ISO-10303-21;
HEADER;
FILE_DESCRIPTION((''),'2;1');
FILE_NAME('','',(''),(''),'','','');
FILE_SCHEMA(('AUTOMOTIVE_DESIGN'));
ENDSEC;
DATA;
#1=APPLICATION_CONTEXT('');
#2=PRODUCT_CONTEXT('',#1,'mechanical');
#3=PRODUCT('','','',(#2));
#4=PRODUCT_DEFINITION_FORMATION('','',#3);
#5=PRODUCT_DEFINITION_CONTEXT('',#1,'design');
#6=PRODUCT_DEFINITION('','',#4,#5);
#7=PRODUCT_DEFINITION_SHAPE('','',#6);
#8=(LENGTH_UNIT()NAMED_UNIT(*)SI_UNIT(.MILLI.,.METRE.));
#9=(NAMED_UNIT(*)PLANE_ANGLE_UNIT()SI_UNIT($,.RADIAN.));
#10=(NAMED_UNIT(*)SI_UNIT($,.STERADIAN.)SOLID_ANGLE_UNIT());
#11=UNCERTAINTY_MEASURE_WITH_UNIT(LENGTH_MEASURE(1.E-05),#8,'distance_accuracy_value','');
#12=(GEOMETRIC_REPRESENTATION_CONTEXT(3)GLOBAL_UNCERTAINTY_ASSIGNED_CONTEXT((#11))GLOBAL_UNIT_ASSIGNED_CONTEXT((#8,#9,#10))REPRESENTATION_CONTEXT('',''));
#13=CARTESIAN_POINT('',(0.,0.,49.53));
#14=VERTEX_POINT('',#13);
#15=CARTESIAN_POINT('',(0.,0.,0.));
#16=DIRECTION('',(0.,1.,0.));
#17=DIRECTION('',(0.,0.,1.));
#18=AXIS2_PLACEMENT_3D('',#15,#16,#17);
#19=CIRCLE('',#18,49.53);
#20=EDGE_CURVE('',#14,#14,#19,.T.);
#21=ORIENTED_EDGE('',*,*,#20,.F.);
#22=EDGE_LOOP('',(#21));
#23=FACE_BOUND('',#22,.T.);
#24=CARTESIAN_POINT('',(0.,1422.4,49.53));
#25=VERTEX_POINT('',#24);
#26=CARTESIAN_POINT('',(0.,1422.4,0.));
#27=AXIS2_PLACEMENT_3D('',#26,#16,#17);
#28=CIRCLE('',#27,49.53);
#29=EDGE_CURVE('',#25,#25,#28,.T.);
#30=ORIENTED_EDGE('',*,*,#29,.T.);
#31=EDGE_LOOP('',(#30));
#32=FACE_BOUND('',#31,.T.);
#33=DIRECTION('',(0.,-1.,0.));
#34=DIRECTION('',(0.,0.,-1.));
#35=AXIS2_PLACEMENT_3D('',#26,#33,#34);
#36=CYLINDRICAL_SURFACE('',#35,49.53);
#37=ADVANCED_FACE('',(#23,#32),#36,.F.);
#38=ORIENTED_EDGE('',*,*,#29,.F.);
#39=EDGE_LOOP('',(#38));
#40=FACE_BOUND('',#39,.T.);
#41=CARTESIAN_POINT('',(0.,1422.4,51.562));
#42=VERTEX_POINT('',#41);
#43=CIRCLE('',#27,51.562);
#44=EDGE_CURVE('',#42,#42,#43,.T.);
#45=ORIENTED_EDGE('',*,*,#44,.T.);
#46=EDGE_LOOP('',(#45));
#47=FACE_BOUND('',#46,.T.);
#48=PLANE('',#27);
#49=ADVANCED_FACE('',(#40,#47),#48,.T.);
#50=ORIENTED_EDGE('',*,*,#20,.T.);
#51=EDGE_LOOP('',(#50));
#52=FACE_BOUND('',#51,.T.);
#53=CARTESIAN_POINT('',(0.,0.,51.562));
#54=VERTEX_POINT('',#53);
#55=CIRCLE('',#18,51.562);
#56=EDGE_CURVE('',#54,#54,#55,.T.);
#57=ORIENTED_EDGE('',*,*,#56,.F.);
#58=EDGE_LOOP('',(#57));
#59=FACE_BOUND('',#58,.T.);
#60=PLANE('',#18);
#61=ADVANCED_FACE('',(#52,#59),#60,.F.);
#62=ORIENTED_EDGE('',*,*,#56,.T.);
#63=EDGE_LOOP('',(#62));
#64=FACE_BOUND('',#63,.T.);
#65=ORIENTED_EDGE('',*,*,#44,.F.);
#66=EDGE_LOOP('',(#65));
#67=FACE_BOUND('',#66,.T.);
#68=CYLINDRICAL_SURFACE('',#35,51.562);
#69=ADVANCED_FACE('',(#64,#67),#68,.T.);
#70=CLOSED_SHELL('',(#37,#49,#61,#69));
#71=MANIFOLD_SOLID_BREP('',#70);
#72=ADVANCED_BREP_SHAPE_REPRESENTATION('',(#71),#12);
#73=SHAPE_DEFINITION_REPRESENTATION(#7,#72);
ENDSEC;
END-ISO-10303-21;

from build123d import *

# Parameters (mm, degrees)
SKETCH1_R           = 51.562
SKETCH1_R_2         = 49.53
BOSS_EXTRUDE1_DEPTH = 1422.4


with BuildPart() as part:
    # Sketch1 → Boss-Extrude1 (new body)
    with BuildSketch(Plane(origin=(0, 0, 0), x_dir=(1, 0, 0), z_dir=(0, 1, 0))):
        with Locations(Location((0, 0, 0), (0, 0, 270))):
            Circle(SKETCH1_R)
        with Locations(Location((0, 0, 0), (0, 0, 270))):
            Circle(SKETCH1_R_2, mode=Mode.SUBTRACT)
    extrude(amount=BOSS_EXTRUDE1_DEPTH)


solid = part.part
